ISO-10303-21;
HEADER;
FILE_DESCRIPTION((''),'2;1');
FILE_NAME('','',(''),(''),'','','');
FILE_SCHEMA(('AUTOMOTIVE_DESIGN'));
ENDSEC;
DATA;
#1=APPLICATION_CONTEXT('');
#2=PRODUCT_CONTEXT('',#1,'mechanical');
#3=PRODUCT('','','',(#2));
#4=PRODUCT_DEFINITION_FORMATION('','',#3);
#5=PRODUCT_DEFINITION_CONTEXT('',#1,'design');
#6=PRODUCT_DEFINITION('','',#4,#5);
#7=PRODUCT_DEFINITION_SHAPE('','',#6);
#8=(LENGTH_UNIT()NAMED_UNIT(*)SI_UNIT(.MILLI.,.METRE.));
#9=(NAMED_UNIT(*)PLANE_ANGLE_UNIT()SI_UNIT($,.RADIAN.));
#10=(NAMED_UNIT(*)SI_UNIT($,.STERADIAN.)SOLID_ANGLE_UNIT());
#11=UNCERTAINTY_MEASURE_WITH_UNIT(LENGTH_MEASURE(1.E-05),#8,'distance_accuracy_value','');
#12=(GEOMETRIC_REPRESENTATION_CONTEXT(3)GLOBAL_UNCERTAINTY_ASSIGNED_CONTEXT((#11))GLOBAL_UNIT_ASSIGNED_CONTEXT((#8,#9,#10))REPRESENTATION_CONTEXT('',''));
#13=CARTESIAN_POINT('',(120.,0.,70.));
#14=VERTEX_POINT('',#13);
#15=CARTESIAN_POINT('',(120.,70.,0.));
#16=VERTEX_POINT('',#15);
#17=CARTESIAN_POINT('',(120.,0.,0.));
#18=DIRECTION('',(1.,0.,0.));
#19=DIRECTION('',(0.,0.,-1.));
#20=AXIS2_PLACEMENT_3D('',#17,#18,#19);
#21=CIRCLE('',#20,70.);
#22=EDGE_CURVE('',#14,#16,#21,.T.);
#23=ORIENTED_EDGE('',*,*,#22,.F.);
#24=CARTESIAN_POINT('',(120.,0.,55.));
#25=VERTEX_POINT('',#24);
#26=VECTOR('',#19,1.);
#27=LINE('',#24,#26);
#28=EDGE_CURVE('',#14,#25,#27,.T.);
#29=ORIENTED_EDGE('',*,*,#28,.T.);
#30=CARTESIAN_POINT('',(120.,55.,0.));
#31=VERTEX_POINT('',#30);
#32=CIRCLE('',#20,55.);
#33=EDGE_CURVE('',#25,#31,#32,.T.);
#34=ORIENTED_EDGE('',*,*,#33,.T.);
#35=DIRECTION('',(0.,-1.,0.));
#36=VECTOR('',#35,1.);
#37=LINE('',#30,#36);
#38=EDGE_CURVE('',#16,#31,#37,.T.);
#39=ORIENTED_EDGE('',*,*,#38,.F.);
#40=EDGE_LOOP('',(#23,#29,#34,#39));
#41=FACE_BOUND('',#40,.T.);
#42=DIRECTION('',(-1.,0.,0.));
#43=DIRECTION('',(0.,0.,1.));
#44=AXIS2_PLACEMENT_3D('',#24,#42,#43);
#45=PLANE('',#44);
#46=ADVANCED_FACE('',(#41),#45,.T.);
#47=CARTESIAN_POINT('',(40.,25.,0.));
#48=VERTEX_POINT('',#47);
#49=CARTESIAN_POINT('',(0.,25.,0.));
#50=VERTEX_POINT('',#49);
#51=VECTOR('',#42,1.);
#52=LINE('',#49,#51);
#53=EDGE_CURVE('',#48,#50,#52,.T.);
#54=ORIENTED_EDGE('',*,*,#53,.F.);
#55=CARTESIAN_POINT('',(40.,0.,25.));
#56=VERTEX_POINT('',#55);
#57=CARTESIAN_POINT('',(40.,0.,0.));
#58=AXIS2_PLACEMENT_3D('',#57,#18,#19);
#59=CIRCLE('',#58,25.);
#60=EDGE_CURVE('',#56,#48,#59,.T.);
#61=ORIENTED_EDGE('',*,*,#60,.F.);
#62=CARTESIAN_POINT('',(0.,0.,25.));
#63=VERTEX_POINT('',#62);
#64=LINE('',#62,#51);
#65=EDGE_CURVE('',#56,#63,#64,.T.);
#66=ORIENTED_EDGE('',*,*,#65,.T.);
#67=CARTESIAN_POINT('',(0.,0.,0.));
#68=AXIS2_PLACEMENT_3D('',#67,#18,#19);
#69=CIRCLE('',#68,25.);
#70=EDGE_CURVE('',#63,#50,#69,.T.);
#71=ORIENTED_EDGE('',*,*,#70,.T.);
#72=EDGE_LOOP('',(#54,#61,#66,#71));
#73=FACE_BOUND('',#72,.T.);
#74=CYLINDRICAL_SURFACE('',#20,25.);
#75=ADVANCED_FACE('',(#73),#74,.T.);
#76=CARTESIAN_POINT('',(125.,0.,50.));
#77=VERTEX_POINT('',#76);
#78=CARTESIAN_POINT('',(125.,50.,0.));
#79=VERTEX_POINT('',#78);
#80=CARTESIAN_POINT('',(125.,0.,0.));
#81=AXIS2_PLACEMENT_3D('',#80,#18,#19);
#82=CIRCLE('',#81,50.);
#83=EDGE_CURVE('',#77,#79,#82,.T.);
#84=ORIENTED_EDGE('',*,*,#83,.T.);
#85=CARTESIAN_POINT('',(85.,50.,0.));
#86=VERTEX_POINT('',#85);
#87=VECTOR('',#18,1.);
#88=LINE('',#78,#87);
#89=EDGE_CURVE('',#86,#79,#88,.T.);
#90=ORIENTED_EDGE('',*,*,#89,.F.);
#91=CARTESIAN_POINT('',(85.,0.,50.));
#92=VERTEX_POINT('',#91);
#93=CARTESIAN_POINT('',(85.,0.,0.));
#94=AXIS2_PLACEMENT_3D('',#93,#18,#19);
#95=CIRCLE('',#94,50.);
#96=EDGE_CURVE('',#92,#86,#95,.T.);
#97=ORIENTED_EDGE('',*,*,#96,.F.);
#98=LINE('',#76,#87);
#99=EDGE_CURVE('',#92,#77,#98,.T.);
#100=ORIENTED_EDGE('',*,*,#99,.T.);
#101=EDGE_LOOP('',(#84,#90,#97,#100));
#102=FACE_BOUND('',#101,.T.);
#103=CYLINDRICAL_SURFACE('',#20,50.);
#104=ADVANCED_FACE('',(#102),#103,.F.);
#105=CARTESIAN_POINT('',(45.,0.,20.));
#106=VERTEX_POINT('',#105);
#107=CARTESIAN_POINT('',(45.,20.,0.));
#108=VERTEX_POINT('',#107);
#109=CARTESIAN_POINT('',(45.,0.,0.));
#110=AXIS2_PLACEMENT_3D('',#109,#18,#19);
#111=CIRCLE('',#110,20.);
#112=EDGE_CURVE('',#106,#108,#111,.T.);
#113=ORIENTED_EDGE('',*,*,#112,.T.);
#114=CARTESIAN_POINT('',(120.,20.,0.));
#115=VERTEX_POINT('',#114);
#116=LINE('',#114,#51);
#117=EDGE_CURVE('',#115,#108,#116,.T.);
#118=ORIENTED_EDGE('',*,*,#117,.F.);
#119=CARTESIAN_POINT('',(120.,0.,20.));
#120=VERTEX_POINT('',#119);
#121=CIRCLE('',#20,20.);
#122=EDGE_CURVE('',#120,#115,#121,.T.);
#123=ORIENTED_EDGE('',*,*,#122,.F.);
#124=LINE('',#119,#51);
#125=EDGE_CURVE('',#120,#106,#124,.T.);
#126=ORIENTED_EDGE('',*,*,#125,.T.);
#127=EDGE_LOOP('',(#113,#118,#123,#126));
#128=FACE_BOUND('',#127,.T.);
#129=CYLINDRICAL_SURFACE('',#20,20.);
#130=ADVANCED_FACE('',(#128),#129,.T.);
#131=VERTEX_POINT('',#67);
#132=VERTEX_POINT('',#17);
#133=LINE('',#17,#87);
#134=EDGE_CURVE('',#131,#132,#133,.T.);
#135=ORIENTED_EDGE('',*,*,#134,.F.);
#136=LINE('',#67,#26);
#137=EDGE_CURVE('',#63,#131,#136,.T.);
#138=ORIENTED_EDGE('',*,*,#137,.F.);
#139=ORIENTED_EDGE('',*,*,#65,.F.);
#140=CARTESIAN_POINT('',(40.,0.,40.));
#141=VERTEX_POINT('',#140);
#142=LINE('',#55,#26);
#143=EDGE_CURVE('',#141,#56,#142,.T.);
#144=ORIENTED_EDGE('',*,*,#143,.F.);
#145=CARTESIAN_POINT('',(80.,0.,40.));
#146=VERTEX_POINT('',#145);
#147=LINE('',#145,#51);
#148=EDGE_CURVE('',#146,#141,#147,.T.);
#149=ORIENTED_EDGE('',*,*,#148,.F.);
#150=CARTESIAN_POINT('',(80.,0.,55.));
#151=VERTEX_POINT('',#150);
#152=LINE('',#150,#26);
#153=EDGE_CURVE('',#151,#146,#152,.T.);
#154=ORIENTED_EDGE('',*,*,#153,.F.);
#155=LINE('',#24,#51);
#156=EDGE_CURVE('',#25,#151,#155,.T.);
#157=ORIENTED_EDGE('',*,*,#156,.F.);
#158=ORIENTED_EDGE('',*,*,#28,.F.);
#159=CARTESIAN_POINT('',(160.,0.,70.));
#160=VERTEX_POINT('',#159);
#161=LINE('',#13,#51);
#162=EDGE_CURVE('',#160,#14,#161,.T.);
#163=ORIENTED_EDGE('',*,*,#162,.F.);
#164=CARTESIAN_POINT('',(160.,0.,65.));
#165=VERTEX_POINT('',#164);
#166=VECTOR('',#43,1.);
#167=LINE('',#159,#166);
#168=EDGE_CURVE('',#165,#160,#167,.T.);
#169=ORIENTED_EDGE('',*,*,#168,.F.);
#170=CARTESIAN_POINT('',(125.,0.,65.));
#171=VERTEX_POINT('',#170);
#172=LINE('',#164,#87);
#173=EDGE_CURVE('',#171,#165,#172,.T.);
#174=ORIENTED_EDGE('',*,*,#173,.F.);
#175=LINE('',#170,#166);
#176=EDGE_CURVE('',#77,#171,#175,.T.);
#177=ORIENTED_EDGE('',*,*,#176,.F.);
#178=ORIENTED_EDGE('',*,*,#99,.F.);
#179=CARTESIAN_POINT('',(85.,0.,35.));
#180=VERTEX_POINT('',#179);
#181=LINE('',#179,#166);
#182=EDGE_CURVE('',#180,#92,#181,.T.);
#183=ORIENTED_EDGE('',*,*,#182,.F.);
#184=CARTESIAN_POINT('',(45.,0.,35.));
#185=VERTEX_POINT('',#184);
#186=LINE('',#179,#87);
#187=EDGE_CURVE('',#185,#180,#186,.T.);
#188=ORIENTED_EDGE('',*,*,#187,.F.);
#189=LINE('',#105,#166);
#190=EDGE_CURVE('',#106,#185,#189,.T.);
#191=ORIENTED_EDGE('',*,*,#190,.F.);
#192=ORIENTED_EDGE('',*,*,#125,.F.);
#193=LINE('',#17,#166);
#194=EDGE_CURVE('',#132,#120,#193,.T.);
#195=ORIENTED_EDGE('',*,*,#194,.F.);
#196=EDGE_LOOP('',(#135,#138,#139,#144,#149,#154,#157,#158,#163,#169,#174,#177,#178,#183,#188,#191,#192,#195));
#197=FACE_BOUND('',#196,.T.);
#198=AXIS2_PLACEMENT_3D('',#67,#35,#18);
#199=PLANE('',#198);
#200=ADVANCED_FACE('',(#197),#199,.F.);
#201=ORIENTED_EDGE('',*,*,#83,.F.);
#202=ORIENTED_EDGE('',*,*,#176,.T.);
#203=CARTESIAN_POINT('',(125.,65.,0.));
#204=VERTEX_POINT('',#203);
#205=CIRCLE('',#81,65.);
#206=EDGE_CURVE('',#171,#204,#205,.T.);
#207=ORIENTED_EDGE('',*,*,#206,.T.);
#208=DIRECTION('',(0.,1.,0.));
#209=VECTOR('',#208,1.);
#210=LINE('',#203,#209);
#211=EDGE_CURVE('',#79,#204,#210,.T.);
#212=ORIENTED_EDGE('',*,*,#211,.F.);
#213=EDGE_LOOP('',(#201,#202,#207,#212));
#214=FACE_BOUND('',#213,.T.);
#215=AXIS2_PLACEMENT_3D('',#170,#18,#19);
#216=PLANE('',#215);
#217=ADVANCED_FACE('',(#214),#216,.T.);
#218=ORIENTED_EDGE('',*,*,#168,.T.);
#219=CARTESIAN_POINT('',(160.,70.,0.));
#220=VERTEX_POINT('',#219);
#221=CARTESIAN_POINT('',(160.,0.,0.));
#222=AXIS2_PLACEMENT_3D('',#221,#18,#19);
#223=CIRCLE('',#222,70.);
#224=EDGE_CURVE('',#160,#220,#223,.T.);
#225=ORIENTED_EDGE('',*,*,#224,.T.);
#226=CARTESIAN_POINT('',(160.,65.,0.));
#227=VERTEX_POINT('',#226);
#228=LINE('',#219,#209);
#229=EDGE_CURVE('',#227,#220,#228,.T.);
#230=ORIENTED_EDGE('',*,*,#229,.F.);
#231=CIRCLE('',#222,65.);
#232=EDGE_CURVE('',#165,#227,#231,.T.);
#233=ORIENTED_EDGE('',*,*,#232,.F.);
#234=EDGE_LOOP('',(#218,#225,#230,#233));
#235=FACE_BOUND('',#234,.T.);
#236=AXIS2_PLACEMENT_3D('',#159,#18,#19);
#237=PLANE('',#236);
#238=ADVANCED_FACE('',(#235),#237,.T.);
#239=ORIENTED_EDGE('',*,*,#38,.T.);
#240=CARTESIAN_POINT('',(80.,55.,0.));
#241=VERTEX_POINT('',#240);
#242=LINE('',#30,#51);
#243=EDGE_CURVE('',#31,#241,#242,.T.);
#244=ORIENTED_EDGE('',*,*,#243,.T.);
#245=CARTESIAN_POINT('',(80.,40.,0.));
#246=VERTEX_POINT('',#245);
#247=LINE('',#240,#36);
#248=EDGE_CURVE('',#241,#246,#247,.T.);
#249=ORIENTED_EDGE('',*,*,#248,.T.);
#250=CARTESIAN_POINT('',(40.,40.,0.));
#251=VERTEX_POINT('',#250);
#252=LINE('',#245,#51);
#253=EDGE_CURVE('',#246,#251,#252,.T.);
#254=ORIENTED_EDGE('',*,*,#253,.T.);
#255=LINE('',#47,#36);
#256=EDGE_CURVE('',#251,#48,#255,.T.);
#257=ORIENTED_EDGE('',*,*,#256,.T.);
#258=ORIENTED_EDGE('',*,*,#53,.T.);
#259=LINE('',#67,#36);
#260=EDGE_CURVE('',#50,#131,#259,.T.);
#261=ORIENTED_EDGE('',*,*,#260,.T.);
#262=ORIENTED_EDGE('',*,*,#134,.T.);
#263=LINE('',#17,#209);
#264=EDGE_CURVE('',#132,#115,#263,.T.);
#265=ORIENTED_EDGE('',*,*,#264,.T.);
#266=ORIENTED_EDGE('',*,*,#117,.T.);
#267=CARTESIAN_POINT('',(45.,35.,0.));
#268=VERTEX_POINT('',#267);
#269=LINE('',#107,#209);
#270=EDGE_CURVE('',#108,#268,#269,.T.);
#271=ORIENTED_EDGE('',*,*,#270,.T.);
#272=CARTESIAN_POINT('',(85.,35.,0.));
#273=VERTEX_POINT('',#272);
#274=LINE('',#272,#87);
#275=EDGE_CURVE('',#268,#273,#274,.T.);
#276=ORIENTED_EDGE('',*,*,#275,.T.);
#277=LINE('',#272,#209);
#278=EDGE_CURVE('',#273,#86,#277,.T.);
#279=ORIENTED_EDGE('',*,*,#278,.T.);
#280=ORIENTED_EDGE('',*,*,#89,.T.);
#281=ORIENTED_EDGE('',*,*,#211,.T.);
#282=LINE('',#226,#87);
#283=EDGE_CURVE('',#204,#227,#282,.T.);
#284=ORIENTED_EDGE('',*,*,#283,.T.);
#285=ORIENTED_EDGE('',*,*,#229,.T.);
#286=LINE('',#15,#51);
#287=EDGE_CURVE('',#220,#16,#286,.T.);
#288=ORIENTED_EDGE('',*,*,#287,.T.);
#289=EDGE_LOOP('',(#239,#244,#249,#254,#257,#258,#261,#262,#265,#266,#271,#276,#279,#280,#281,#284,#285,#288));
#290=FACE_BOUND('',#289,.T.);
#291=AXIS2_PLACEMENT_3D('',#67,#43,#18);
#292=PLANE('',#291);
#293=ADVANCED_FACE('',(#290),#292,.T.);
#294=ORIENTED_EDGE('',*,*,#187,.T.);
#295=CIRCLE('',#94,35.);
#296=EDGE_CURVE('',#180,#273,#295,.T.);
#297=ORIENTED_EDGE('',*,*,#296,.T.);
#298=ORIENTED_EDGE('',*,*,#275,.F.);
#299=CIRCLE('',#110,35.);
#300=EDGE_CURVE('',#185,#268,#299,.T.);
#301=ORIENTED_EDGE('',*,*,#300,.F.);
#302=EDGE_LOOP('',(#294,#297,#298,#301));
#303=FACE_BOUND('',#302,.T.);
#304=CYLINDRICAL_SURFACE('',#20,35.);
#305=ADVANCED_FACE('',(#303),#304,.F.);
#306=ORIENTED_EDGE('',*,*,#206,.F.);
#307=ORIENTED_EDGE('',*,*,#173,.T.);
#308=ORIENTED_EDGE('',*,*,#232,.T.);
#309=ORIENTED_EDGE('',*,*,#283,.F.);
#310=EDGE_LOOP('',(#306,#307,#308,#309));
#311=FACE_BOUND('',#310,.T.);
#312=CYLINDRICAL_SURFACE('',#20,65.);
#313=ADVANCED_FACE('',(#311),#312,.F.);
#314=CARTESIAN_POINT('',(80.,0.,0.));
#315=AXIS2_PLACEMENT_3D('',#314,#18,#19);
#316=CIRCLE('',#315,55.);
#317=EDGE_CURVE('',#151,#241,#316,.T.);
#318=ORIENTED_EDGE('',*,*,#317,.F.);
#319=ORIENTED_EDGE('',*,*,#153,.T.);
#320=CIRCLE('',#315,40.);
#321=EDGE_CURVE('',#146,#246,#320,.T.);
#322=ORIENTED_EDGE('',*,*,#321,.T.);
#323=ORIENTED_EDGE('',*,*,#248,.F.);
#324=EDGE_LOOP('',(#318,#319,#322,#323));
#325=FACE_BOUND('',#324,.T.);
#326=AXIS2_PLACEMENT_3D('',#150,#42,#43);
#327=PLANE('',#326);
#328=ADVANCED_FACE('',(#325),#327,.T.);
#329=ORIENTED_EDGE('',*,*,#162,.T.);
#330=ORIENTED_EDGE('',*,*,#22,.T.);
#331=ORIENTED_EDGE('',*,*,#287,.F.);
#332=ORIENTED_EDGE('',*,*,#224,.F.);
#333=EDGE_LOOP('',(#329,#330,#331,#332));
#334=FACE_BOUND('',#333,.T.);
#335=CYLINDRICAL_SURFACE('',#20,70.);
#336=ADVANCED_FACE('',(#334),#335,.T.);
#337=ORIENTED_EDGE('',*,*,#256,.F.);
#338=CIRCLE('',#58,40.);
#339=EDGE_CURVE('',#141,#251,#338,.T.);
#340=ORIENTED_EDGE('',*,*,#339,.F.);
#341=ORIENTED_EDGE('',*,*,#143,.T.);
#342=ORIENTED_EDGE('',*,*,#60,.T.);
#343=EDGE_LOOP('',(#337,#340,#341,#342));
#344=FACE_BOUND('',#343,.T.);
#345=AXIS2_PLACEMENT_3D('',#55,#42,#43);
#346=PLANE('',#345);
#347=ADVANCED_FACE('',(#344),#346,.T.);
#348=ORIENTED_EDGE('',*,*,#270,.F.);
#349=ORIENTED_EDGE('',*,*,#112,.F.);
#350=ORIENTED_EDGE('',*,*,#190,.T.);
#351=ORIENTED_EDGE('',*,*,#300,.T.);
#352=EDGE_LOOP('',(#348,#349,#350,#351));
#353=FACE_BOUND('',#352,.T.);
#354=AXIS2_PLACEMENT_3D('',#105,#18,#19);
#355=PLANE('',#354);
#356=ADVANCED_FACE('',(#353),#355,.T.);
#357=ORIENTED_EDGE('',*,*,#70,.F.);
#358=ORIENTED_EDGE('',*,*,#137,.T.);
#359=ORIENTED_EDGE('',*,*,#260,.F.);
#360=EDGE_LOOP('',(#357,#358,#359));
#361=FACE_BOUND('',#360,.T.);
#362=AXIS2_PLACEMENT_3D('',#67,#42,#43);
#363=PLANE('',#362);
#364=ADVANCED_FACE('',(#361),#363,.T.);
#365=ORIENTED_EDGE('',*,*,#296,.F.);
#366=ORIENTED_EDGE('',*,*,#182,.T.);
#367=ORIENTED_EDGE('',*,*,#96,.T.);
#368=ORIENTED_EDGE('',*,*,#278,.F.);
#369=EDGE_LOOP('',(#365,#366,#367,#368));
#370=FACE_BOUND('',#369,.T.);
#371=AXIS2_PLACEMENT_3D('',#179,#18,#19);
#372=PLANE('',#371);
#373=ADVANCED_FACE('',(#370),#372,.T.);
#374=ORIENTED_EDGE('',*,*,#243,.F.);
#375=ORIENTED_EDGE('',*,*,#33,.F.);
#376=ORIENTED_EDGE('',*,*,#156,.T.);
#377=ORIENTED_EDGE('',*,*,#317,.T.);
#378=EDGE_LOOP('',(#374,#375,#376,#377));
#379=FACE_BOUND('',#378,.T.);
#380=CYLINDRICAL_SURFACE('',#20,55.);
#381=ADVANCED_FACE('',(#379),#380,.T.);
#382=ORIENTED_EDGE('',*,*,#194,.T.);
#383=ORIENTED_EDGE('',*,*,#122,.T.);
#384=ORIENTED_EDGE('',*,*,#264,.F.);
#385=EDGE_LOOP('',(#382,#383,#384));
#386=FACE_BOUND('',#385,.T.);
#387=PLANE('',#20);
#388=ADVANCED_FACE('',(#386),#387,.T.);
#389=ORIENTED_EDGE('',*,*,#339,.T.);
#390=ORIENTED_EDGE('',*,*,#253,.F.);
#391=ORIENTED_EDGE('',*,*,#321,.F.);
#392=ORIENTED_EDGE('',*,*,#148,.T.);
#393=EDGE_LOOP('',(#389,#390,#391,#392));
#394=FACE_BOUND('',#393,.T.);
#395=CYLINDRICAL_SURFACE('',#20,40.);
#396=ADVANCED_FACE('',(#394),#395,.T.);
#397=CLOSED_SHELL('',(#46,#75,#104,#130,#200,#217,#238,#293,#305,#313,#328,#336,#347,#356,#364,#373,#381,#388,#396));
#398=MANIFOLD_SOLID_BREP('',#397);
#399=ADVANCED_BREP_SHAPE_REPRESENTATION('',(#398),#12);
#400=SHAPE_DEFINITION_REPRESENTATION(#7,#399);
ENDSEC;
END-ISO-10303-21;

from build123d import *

# Parameters (mm, degrees)
REVOLVE1_ANGLE = 270


with BuildPart() as part:
    # Sketch1 → Revolve1 (revolve)
    with BuildSketch(Plane.XY):
        Polygon((120, 0), (0, 0), (0, 25), (40, 25), (40, 40), (80, 40), (80, 55), (120, 55), (120, 70), (160, 70), (160, 65), (125, 65), (125, 50), (85, 50), (85, 35), (45, 35), (45, 20), (120, 20), align=None)
    revolve(axis=Axis((120, 0, 0), (-1, 0, 0)), revolution_arc=REVOLVE1_ANGLE)


solid = part.part
